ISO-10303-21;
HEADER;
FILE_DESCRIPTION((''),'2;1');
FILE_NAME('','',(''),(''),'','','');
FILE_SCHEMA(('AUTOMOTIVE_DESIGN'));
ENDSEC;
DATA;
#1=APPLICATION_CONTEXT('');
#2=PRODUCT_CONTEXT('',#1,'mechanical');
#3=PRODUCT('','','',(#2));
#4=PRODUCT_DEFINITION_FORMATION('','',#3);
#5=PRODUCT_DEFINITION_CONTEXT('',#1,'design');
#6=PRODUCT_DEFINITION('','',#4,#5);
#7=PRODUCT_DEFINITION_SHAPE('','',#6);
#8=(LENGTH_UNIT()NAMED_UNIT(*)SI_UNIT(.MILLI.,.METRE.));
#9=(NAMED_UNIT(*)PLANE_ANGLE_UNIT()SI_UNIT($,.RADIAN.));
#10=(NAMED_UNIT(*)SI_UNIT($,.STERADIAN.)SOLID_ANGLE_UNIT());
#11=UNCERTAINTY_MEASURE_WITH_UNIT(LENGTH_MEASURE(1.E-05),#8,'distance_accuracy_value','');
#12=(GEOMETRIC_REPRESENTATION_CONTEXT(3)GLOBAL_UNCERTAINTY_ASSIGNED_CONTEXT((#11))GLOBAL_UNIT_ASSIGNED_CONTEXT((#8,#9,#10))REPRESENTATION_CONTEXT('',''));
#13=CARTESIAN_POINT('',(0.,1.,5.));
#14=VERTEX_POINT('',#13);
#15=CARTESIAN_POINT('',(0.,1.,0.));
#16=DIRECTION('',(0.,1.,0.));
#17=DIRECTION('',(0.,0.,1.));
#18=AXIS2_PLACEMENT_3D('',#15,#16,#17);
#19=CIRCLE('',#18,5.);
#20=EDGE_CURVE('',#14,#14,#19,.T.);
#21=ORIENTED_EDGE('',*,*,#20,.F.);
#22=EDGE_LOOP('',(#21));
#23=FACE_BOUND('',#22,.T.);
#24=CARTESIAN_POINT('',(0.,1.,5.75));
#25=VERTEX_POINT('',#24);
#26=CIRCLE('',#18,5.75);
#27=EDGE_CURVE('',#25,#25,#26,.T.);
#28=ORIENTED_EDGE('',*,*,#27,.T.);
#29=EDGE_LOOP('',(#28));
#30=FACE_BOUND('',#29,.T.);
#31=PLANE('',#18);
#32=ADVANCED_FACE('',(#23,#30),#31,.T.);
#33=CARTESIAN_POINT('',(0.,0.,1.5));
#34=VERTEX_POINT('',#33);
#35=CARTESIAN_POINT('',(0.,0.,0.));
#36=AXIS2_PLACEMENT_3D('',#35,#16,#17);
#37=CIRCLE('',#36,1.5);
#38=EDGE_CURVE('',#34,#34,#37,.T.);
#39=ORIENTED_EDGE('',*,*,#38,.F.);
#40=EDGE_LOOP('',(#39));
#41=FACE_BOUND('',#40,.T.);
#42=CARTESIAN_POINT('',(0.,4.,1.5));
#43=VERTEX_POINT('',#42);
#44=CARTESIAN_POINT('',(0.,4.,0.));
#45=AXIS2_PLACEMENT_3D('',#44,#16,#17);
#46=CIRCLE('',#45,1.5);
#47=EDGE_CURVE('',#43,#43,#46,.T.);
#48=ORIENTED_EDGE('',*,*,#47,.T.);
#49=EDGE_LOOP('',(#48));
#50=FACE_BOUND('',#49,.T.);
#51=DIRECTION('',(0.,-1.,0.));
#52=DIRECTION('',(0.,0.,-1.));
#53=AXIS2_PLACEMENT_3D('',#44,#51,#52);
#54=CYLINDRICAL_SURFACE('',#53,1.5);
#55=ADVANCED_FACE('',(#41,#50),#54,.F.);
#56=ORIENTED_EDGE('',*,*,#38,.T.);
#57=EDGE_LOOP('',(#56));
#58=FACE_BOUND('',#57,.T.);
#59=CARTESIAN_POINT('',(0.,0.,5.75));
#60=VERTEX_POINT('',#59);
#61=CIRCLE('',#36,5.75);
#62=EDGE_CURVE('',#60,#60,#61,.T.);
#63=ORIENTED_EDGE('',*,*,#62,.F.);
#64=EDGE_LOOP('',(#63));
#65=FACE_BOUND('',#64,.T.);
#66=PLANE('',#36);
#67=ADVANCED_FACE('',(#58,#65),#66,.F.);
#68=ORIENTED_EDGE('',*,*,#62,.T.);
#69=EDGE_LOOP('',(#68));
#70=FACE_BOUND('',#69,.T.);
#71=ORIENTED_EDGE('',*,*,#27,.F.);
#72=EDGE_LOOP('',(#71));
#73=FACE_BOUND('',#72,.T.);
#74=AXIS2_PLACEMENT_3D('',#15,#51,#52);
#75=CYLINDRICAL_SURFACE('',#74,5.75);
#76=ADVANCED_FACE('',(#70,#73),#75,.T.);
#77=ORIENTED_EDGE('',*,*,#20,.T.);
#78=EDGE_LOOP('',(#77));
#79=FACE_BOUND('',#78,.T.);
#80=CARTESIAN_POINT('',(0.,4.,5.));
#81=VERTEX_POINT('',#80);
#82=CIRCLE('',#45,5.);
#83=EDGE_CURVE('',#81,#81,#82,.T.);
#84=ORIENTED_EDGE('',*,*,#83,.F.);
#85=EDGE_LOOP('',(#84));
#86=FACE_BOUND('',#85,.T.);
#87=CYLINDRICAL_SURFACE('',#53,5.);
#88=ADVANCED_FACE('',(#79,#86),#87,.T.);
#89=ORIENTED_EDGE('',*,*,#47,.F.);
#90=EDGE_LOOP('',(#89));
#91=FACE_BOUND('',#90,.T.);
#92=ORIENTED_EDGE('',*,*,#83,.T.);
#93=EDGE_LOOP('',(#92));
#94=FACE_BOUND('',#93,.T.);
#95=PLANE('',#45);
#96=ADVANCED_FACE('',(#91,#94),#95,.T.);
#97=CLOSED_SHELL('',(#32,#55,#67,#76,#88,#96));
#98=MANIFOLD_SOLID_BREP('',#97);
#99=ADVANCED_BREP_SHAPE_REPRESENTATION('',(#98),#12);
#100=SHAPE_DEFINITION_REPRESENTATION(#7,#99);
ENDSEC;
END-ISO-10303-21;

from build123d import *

# Parameters (mm, degrees)
SKETCH1_R           = 5
SKETCH1_R_2         = 1.5
BOSS_EXTRUDE1_DEPTH = 4
SKETCH1_3_R         = 5.75
SKETCH1_3_R_2       = 5
BOSS_EXTRUDE2_DEPTH = 1


with BuildPart() as part:
    # Sketch1 → Boss-Extrude1 (new body)
    with BuildSketch(Plane(origin=(0, 0, 0), x_dir=(1, 0, 0), z_dir=(0, 1, 0))):
        Circle(SKETCH1_R)
        Circle(SKETCH1_R_2, mode=Mode.SUBTRACT)
    extrude(amount=BOSS_EXTRUDE1_DEPTH)

    # Sketch1<3> → Boss-Extrude2 (add)
    with BuildSketch(Plane(origin=(0, 0, 0), x_dir=(1, 0, 0), z_dir=(0, 1, 0))):
        Circle(SKETCH1_3_R)
        Circle(SKETCH1_3_R_2, mode=Mode.SUBTRACT)
    extrude(amount=BOSS_EXTRUDE2_DEPTH)


solid = part.part
